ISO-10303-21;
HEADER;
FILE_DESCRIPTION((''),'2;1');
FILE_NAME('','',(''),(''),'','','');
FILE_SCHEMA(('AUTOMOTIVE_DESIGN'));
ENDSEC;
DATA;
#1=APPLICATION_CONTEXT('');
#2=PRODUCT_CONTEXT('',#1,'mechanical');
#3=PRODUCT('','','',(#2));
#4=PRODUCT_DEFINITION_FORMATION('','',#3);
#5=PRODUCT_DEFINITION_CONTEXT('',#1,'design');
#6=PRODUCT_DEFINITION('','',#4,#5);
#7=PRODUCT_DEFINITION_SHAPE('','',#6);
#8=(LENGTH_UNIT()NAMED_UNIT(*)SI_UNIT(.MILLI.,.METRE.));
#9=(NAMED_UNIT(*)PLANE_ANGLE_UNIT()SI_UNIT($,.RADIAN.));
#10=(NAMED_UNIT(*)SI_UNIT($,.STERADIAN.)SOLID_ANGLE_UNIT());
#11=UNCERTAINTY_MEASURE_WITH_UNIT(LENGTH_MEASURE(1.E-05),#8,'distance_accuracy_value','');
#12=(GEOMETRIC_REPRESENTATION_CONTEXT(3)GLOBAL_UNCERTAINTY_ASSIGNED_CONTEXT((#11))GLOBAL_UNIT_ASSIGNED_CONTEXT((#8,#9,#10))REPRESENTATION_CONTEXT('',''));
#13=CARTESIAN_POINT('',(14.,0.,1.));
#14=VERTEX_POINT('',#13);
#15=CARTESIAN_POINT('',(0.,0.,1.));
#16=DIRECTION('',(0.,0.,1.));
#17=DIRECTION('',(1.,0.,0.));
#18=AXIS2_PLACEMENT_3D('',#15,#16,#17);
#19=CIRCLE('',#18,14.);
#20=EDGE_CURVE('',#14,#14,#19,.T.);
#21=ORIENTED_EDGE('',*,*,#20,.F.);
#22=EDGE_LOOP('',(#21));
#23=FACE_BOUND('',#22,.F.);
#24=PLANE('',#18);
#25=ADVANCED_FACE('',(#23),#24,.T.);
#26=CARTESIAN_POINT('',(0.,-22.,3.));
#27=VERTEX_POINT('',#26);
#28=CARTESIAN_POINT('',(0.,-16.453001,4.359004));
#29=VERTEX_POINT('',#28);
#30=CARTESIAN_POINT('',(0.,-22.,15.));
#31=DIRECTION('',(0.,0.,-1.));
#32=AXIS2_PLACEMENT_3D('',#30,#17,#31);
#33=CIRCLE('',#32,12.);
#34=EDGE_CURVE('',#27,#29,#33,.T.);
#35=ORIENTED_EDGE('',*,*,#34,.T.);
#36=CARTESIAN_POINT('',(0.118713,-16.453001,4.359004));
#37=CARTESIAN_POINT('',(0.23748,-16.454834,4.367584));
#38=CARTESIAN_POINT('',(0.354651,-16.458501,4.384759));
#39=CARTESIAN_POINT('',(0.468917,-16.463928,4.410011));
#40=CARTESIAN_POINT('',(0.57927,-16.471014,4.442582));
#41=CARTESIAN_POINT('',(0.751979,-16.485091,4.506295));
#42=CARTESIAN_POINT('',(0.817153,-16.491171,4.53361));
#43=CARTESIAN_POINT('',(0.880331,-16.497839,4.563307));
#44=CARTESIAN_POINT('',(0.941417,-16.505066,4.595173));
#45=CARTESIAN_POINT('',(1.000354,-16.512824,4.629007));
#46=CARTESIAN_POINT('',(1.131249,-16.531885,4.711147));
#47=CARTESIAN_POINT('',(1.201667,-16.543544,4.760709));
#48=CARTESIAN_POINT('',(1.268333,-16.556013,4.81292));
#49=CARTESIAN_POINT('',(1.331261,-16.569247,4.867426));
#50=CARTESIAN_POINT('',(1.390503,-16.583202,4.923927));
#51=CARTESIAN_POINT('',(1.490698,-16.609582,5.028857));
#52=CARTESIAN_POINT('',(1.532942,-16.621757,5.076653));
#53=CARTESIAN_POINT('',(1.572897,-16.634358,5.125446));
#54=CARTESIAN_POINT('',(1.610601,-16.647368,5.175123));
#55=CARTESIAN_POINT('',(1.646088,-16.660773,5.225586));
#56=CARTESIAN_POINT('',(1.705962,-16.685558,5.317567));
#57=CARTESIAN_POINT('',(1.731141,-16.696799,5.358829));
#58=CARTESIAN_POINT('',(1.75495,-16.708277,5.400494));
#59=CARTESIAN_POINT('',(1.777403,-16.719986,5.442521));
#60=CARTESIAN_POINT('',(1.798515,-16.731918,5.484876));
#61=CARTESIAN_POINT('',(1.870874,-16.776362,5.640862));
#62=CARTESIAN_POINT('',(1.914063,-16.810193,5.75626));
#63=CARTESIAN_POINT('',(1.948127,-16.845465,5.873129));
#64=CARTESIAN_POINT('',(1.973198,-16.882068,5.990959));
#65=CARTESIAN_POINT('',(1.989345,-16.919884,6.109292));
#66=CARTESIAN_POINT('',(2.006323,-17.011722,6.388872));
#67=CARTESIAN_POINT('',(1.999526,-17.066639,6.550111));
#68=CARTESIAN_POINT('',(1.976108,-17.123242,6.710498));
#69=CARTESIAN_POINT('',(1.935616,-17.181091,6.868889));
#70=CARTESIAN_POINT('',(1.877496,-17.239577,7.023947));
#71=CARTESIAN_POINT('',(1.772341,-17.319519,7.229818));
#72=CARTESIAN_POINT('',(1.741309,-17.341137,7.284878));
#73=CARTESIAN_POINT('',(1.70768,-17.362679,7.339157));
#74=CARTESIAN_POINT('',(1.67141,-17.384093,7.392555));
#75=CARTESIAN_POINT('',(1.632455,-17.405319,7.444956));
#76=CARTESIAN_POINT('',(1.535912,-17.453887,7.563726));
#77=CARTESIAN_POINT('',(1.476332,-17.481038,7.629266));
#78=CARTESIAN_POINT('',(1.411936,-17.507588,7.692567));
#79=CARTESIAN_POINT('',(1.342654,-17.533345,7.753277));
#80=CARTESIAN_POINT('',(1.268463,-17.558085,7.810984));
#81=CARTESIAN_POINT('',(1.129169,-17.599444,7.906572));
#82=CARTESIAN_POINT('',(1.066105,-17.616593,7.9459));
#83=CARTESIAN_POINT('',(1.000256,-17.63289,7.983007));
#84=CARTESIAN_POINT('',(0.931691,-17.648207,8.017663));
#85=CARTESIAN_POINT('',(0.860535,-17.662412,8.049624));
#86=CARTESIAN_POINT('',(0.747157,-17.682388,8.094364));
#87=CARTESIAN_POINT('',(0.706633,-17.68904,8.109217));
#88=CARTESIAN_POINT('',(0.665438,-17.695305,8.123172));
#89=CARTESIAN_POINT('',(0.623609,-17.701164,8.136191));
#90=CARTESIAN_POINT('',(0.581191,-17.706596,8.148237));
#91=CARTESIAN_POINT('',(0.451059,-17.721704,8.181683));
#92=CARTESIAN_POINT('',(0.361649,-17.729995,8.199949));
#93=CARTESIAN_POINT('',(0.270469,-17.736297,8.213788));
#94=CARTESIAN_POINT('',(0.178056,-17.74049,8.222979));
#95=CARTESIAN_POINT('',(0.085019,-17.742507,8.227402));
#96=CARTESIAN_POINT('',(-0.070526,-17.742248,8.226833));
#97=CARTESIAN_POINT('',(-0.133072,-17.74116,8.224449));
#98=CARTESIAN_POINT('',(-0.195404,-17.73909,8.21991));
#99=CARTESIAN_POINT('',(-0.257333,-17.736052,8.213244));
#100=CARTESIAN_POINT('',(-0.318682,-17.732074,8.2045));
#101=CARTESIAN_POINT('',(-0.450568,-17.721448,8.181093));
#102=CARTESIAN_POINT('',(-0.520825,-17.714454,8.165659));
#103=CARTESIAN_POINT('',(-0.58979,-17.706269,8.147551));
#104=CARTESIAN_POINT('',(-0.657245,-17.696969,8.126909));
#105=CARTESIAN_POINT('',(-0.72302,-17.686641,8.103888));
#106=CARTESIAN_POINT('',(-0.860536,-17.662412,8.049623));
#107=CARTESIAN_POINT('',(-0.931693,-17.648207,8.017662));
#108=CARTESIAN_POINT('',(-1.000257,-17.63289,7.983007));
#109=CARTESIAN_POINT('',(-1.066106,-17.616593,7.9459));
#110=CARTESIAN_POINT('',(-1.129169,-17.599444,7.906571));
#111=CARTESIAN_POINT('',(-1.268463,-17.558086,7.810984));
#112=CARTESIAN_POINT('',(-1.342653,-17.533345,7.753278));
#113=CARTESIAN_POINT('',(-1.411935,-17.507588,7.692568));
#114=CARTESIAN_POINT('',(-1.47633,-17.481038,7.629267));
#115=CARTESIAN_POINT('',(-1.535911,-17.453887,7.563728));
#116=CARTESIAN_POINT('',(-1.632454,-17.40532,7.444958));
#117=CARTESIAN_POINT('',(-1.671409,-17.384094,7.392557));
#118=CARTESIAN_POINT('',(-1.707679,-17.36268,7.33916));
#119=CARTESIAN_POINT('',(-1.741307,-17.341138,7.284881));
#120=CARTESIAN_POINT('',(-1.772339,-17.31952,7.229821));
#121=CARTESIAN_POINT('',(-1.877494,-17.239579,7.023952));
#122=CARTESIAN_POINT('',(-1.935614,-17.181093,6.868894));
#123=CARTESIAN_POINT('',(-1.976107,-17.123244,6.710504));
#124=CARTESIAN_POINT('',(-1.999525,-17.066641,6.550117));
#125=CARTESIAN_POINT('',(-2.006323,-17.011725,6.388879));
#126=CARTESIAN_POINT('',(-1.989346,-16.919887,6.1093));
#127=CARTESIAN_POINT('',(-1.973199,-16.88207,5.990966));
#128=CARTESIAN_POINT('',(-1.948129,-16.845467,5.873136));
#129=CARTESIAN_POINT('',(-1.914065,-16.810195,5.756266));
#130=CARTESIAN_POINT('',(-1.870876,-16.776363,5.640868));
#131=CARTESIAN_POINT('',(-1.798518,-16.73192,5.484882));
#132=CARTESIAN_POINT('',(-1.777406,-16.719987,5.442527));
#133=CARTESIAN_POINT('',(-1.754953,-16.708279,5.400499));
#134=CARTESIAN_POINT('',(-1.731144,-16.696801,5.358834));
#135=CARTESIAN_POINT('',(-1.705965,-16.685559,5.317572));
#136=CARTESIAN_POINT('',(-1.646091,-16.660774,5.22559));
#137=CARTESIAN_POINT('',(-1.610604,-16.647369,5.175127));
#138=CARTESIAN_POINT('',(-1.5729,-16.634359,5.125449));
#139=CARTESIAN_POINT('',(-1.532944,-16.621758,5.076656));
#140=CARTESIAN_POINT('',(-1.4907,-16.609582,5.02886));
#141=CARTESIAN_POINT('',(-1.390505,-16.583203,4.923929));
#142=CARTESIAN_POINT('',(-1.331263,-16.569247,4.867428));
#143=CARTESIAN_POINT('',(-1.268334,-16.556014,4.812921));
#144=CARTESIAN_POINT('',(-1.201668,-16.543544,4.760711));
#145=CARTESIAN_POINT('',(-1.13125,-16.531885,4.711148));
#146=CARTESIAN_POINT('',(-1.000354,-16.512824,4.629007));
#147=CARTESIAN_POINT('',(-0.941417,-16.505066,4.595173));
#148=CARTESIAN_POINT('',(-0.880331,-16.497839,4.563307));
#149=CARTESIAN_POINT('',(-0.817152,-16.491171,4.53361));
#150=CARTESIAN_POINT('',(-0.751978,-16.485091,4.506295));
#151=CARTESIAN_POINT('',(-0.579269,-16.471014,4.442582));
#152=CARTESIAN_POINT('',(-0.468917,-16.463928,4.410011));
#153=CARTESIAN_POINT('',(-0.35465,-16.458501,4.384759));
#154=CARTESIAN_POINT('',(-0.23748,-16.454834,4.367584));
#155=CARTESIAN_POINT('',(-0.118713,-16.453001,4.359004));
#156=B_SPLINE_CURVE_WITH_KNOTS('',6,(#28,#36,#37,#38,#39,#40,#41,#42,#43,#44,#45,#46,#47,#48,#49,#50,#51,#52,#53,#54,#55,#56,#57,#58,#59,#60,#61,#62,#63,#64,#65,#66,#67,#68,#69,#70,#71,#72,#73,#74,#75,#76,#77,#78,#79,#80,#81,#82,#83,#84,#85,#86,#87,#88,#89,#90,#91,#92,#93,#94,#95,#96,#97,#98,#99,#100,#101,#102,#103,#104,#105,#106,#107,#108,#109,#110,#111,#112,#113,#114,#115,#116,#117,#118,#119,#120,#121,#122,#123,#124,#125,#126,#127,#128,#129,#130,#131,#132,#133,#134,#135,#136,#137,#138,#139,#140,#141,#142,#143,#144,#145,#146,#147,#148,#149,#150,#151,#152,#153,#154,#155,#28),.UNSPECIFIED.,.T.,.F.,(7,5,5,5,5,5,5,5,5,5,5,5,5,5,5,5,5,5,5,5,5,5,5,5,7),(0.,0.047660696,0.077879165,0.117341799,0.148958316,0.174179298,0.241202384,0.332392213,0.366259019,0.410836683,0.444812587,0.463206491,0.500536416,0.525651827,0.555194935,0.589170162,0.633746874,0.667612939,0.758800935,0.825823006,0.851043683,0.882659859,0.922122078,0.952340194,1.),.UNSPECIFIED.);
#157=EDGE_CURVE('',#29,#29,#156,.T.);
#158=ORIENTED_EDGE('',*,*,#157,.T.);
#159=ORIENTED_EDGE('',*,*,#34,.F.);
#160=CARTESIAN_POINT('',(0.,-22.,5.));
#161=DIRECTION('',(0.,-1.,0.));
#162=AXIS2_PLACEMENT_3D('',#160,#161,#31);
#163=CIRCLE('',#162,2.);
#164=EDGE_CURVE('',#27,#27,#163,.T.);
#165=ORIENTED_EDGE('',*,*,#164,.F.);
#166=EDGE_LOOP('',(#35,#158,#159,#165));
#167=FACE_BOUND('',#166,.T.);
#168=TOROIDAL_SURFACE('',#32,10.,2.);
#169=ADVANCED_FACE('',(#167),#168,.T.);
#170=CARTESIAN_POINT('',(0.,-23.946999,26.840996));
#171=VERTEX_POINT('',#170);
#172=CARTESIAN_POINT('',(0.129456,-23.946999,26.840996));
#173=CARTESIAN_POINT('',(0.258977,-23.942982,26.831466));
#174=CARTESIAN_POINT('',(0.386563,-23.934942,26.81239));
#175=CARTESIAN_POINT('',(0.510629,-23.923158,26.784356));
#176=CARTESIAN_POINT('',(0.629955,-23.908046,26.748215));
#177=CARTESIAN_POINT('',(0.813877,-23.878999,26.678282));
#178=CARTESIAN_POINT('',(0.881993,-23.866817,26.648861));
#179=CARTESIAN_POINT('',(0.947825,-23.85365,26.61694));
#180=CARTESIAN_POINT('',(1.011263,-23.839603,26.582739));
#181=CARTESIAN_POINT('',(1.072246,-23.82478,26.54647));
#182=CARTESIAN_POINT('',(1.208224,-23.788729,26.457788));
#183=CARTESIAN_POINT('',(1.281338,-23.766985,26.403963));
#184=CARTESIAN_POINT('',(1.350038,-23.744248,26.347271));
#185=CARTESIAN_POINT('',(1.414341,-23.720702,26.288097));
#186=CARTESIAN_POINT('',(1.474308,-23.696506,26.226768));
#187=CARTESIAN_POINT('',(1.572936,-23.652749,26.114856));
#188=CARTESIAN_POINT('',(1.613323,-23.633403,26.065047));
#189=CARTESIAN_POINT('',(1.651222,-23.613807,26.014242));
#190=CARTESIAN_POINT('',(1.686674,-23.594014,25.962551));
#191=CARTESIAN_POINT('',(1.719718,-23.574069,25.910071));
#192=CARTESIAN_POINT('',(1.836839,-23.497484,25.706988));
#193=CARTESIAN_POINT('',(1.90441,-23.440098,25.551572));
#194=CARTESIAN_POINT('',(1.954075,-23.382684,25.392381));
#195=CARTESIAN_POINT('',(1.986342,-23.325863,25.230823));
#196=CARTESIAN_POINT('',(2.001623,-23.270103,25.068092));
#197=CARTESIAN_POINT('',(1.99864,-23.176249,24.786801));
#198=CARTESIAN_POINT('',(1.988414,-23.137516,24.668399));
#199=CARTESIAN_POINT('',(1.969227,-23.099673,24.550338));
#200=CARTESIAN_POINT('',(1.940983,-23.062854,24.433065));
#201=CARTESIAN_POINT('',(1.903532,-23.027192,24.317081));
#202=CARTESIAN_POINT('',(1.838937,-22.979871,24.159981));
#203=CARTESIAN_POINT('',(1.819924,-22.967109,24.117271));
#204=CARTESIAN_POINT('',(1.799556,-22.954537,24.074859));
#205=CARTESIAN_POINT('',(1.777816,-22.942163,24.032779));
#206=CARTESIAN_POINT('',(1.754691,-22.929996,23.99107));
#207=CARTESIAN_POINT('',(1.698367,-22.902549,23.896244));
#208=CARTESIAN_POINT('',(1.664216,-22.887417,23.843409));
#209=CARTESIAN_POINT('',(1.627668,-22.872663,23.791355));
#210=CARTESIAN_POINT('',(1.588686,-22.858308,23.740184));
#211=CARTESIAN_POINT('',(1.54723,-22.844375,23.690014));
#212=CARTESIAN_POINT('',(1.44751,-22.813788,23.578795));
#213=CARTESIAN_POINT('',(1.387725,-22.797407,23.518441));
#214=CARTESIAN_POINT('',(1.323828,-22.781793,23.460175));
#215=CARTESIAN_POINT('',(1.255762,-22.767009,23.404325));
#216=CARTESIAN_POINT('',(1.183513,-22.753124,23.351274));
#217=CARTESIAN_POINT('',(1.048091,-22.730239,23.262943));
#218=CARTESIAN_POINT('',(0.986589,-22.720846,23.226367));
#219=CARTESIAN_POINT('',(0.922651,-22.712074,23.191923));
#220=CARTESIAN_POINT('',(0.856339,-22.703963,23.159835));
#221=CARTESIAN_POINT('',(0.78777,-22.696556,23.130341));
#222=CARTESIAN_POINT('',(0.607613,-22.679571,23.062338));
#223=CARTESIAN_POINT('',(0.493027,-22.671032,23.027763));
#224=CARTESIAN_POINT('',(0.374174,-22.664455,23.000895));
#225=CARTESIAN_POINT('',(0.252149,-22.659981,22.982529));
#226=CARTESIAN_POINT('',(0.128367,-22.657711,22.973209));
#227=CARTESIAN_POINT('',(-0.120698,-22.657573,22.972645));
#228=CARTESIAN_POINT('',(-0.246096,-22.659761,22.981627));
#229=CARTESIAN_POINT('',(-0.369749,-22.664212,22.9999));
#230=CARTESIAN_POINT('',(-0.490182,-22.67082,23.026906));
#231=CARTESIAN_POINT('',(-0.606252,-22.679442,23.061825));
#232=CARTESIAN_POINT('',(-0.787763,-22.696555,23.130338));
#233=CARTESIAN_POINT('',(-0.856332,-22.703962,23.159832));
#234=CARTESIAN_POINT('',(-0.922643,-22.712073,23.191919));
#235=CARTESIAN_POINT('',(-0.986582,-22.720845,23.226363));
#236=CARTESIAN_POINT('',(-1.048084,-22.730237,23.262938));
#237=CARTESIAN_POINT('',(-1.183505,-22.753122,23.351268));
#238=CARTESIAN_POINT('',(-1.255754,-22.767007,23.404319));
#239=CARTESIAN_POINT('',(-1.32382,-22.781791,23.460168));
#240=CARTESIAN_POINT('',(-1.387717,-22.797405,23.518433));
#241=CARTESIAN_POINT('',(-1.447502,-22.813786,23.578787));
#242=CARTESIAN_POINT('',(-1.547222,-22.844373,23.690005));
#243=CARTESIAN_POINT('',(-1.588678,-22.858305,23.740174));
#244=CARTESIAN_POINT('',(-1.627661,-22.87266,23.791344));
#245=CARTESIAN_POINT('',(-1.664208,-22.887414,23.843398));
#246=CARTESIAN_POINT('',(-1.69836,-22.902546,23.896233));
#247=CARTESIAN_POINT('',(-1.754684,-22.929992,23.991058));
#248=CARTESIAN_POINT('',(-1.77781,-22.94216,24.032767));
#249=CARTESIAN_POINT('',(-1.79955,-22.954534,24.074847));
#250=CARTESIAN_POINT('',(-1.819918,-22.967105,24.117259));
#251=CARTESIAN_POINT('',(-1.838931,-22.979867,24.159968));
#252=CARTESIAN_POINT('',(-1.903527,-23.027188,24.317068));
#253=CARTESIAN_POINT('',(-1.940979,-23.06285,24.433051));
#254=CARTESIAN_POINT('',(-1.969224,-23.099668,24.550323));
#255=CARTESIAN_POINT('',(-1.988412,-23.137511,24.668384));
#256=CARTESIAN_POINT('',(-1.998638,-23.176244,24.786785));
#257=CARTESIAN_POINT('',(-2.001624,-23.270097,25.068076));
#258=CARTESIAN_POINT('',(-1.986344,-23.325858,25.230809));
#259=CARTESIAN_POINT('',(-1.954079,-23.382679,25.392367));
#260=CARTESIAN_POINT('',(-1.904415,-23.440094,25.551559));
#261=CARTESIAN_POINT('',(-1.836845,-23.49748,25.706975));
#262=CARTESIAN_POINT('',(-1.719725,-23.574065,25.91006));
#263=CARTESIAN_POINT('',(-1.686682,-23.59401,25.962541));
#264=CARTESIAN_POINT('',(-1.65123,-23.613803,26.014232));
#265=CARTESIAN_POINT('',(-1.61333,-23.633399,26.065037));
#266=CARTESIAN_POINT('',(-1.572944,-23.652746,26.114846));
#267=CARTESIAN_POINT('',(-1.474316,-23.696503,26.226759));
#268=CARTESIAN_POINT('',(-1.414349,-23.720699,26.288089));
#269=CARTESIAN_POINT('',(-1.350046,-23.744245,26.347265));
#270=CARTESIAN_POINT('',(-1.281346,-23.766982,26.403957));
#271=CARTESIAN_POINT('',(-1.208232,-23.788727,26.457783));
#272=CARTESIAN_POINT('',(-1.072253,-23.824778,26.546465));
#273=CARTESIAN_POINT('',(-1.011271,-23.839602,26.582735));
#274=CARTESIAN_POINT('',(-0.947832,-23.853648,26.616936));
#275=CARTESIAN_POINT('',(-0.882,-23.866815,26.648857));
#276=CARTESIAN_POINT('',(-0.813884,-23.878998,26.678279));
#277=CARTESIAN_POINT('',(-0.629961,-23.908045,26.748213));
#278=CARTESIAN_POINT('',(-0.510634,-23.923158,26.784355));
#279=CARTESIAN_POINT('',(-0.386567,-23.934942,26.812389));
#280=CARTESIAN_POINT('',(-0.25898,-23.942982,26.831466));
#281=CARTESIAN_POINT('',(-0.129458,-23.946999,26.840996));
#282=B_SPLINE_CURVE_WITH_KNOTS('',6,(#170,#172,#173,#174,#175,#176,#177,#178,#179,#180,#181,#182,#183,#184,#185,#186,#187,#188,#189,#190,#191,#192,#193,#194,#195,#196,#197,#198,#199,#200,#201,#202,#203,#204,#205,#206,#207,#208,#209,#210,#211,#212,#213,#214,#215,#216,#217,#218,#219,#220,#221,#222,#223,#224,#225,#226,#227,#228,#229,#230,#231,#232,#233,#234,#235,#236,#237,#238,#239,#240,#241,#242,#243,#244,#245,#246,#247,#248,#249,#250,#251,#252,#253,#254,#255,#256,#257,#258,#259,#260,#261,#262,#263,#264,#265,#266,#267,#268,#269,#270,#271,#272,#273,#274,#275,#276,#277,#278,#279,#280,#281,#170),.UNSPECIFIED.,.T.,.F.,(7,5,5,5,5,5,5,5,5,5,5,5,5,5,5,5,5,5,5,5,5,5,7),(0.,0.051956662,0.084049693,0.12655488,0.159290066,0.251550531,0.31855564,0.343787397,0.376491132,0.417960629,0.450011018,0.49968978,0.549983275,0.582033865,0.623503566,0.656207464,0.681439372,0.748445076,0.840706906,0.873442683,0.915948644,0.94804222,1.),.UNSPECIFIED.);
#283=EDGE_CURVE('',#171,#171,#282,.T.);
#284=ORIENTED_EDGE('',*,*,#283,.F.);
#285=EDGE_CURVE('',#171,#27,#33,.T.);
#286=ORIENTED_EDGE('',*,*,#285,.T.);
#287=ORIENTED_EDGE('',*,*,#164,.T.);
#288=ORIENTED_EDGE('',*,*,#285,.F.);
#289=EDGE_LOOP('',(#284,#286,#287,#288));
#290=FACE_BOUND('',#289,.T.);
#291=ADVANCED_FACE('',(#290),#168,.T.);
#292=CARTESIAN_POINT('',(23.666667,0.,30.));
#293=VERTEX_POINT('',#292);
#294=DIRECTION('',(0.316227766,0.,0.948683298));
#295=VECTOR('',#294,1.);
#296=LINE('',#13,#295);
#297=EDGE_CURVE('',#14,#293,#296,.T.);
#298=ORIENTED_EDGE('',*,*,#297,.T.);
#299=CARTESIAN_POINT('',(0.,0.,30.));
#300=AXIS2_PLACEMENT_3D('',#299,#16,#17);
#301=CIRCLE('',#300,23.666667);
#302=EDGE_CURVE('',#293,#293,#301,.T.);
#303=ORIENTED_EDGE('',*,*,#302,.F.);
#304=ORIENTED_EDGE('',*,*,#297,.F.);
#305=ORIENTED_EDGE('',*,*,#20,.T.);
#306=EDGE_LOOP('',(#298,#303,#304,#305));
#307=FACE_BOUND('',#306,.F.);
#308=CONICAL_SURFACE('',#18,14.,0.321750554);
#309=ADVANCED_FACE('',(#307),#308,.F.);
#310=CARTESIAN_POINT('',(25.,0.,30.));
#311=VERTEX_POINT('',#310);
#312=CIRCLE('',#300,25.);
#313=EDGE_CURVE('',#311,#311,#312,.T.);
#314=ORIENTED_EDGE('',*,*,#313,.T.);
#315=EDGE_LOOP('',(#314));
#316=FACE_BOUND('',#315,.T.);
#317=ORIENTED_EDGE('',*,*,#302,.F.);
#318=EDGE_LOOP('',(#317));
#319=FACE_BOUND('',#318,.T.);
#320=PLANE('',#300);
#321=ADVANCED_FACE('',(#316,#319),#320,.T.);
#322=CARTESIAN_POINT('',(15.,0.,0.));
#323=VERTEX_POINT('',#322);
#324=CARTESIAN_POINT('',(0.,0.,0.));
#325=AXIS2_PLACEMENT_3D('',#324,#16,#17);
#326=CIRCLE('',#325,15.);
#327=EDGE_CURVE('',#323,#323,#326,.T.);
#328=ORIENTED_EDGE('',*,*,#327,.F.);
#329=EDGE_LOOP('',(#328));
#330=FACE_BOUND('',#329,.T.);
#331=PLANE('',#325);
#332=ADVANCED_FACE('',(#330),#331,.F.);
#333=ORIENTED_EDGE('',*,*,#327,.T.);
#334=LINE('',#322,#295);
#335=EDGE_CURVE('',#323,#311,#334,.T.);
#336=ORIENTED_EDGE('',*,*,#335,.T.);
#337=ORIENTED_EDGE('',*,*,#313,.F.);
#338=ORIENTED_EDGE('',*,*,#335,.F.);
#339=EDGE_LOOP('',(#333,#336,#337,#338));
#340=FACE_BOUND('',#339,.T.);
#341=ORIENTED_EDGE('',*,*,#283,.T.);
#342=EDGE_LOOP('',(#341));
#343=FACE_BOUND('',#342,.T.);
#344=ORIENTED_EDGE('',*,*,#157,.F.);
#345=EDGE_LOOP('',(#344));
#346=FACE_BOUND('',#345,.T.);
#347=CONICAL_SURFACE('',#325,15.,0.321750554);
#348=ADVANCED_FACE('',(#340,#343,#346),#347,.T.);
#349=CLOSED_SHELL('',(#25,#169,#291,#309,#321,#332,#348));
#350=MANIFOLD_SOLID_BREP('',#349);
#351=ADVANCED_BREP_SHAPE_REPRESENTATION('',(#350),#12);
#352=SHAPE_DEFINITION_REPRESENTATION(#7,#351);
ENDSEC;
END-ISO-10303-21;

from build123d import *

# Parameters (mm, degrees)
TORUS_R = 2


with BuildPart() as cono001:
    # Cone001 → Cone001 (revolve)
    with BuildSketch(Plane(origin=(0, 0, 1), x_dir=(1, 0, 0), z_dir=(0, -1, 0))):
        Polygon((0, 0), (14, 0), (24, 30), (0, 30), align=None)
    revolve(axis=Axis((0, 0, 1), (0, 0, 1)))


with BuildPart() as toro:
    # Torus → Torus (revolve)
    with BuildSketch(Plane(origin=(0, -22, 15), x_dir=(0, 0, -1), z_dir=(0, -1, 0))):
        with Locations((10, 0)):
            Circle(TORUS_R)
    revolve(axis=Axis((0, -22, 15), (1, 0, 0)))


with BuildPart() as cut:
    # Cone → Cone (revolve)
    with BuildSketch(Plane.XZ):
        Polygon((0, 0), (15, 0), (25, 30), (0, 30), align=None)
    revolve(axis=Axis((0, 0, 0), (0, 0, 1)))

    # Fusion: union Toro
    add(toro.part)

    # Cut: cut Cono001
    add(cono001.part, mode=Mode.SUBTRACT)


solid = cut.part
